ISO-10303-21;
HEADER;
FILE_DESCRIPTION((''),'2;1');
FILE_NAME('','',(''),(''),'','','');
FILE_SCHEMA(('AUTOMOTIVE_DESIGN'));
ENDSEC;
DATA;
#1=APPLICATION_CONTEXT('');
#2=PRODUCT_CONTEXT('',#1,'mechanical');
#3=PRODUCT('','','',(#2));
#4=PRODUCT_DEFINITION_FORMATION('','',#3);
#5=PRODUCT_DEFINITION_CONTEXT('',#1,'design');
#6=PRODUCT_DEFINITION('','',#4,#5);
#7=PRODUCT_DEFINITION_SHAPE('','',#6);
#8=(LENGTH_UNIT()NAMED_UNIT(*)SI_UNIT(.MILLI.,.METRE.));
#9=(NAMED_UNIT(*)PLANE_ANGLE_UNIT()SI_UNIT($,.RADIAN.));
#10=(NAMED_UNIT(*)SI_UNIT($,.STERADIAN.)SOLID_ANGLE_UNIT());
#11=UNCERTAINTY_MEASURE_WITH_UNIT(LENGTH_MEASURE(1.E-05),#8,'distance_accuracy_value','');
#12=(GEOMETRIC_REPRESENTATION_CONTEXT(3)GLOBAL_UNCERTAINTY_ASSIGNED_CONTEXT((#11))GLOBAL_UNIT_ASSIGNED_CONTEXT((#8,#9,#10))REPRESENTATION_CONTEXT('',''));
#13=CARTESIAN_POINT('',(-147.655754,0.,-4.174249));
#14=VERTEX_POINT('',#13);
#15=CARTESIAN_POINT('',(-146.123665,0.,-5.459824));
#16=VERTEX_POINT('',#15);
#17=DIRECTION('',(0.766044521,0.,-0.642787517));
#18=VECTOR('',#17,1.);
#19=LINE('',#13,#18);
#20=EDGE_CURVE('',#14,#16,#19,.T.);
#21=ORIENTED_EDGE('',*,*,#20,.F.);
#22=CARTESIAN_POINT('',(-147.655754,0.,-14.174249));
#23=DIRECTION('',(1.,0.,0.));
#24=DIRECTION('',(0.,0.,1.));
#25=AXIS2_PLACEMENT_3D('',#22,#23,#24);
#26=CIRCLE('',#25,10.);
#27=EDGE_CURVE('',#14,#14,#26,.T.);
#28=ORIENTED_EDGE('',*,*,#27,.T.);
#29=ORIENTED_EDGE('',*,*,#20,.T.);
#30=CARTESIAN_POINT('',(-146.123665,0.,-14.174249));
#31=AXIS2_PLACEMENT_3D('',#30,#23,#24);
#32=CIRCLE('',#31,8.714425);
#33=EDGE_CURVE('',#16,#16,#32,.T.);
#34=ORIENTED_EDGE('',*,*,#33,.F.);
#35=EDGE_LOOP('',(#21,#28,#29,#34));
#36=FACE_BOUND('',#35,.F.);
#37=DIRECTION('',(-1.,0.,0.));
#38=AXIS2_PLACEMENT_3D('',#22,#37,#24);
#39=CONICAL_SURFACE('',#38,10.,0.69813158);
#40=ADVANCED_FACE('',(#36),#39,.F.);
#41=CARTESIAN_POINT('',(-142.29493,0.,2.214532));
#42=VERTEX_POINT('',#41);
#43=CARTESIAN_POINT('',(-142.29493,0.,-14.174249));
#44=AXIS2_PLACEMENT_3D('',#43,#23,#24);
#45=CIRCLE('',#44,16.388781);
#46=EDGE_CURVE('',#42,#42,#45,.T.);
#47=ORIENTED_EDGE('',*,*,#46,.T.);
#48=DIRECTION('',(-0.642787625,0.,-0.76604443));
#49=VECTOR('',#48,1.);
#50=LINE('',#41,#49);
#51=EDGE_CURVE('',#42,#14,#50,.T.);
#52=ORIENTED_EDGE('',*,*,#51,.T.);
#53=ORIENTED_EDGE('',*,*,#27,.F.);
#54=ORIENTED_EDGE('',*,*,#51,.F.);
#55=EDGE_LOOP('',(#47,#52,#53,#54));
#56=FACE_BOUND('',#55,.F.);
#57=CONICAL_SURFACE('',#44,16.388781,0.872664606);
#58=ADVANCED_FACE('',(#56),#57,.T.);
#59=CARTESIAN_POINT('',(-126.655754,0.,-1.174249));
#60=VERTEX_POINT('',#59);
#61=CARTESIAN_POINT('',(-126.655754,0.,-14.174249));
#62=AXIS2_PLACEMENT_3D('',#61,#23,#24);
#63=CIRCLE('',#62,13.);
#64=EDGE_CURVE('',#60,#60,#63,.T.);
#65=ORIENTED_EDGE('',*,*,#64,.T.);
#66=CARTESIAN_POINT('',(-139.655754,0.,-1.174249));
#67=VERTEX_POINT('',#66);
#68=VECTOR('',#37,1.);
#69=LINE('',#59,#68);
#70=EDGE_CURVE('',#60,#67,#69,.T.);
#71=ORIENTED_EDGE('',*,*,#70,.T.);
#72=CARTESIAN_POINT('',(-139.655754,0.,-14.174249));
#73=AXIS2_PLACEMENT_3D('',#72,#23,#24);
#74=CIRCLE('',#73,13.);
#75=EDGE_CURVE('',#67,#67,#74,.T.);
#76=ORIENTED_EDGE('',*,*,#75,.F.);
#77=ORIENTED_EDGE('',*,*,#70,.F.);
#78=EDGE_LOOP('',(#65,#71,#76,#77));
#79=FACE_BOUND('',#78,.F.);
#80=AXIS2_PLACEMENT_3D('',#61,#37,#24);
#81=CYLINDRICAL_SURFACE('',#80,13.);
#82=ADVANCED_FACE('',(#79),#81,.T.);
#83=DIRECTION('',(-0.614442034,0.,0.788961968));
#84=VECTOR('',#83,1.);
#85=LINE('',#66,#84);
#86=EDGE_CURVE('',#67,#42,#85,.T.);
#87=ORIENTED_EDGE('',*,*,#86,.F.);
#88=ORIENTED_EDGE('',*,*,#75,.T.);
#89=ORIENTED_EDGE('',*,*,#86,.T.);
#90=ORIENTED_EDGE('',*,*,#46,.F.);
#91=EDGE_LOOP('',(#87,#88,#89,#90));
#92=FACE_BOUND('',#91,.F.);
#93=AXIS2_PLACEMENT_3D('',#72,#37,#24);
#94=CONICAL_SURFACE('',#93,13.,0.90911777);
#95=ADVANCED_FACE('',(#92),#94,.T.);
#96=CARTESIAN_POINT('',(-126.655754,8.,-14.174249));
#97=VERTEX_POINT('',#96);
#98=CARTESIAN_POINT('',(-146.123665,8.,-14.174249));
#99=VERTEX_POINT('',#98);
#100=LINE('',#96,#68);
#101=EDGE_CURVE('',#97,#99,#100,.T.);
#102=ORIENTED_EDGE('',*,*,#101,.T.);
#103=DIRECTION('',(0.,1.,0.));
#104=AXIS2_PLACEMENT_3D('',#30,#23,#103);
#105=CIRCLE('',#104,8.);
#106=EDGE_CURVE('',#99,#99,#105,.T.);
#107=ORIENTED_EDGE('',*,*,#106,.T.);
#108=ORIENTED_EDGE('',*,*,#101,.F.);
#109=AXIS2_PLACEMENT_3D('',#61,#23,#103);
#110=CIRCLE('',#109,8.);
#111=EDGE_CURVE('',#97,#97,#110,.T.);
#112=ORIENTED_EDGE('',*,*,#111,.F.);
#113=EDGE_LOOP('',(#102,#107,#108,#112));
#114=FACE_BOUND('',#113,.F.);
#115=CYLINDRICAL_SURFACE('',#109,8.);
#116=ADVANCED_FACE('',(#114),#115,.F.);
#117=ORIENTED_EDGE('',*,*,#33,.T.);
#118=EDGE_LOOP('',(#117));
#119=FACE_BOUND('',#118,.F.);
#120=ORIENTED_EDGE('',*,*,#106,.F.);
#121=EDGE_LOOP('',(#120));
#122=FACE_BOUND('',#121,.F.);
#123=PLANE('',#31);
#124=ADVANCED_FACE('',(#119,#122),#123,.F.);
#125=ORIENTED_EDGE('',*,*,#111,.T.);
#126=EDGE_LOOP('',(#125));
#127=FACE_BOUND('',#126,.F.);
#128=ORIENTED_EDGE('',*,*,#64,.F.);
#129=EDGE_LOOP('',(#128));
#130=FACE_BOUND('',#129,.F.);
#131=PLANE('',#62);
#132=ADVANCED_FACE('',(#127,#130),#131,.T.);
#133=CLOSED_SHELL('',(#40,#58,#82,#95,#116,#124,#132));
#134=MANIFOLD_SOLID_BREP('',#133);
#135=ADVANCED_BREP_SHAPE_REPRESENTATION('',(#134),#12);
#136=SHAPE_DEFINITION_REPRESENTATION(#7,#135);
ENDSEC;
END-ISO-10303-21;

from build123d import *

# Parameters (mm, degrees)
F2_R     = 8
F3_DEPTH = 21.001


with BuildPart() as f1:
    # F0 (on Front) → F1 (revolve)
    with BuildSketch(Plane.XZ):
        Polygon((-142.29493, 2.214532), (-147.655754, -4.174249), (-146.123665, -5.459824), (-146.123665, -14.174249), (-126.655754, -14.174249), (-126.655754, -1.174249), (-139.655754, -1.174249), align=None)
    revolve(axis=Axis((-136.38971, 0, -14.174249), (1, 0, 0)))

    # F2 (on face) → F3 (cut, through all)
    with BuildSketch(Plane.YZ.offset(-126.655754)):
        with Locations((0, -14.174249)):
            Circle(F2_R)
    extrude(amount=-F3_DEPTH, mode=Mode.SUBTRACT)


solid = f1.part
